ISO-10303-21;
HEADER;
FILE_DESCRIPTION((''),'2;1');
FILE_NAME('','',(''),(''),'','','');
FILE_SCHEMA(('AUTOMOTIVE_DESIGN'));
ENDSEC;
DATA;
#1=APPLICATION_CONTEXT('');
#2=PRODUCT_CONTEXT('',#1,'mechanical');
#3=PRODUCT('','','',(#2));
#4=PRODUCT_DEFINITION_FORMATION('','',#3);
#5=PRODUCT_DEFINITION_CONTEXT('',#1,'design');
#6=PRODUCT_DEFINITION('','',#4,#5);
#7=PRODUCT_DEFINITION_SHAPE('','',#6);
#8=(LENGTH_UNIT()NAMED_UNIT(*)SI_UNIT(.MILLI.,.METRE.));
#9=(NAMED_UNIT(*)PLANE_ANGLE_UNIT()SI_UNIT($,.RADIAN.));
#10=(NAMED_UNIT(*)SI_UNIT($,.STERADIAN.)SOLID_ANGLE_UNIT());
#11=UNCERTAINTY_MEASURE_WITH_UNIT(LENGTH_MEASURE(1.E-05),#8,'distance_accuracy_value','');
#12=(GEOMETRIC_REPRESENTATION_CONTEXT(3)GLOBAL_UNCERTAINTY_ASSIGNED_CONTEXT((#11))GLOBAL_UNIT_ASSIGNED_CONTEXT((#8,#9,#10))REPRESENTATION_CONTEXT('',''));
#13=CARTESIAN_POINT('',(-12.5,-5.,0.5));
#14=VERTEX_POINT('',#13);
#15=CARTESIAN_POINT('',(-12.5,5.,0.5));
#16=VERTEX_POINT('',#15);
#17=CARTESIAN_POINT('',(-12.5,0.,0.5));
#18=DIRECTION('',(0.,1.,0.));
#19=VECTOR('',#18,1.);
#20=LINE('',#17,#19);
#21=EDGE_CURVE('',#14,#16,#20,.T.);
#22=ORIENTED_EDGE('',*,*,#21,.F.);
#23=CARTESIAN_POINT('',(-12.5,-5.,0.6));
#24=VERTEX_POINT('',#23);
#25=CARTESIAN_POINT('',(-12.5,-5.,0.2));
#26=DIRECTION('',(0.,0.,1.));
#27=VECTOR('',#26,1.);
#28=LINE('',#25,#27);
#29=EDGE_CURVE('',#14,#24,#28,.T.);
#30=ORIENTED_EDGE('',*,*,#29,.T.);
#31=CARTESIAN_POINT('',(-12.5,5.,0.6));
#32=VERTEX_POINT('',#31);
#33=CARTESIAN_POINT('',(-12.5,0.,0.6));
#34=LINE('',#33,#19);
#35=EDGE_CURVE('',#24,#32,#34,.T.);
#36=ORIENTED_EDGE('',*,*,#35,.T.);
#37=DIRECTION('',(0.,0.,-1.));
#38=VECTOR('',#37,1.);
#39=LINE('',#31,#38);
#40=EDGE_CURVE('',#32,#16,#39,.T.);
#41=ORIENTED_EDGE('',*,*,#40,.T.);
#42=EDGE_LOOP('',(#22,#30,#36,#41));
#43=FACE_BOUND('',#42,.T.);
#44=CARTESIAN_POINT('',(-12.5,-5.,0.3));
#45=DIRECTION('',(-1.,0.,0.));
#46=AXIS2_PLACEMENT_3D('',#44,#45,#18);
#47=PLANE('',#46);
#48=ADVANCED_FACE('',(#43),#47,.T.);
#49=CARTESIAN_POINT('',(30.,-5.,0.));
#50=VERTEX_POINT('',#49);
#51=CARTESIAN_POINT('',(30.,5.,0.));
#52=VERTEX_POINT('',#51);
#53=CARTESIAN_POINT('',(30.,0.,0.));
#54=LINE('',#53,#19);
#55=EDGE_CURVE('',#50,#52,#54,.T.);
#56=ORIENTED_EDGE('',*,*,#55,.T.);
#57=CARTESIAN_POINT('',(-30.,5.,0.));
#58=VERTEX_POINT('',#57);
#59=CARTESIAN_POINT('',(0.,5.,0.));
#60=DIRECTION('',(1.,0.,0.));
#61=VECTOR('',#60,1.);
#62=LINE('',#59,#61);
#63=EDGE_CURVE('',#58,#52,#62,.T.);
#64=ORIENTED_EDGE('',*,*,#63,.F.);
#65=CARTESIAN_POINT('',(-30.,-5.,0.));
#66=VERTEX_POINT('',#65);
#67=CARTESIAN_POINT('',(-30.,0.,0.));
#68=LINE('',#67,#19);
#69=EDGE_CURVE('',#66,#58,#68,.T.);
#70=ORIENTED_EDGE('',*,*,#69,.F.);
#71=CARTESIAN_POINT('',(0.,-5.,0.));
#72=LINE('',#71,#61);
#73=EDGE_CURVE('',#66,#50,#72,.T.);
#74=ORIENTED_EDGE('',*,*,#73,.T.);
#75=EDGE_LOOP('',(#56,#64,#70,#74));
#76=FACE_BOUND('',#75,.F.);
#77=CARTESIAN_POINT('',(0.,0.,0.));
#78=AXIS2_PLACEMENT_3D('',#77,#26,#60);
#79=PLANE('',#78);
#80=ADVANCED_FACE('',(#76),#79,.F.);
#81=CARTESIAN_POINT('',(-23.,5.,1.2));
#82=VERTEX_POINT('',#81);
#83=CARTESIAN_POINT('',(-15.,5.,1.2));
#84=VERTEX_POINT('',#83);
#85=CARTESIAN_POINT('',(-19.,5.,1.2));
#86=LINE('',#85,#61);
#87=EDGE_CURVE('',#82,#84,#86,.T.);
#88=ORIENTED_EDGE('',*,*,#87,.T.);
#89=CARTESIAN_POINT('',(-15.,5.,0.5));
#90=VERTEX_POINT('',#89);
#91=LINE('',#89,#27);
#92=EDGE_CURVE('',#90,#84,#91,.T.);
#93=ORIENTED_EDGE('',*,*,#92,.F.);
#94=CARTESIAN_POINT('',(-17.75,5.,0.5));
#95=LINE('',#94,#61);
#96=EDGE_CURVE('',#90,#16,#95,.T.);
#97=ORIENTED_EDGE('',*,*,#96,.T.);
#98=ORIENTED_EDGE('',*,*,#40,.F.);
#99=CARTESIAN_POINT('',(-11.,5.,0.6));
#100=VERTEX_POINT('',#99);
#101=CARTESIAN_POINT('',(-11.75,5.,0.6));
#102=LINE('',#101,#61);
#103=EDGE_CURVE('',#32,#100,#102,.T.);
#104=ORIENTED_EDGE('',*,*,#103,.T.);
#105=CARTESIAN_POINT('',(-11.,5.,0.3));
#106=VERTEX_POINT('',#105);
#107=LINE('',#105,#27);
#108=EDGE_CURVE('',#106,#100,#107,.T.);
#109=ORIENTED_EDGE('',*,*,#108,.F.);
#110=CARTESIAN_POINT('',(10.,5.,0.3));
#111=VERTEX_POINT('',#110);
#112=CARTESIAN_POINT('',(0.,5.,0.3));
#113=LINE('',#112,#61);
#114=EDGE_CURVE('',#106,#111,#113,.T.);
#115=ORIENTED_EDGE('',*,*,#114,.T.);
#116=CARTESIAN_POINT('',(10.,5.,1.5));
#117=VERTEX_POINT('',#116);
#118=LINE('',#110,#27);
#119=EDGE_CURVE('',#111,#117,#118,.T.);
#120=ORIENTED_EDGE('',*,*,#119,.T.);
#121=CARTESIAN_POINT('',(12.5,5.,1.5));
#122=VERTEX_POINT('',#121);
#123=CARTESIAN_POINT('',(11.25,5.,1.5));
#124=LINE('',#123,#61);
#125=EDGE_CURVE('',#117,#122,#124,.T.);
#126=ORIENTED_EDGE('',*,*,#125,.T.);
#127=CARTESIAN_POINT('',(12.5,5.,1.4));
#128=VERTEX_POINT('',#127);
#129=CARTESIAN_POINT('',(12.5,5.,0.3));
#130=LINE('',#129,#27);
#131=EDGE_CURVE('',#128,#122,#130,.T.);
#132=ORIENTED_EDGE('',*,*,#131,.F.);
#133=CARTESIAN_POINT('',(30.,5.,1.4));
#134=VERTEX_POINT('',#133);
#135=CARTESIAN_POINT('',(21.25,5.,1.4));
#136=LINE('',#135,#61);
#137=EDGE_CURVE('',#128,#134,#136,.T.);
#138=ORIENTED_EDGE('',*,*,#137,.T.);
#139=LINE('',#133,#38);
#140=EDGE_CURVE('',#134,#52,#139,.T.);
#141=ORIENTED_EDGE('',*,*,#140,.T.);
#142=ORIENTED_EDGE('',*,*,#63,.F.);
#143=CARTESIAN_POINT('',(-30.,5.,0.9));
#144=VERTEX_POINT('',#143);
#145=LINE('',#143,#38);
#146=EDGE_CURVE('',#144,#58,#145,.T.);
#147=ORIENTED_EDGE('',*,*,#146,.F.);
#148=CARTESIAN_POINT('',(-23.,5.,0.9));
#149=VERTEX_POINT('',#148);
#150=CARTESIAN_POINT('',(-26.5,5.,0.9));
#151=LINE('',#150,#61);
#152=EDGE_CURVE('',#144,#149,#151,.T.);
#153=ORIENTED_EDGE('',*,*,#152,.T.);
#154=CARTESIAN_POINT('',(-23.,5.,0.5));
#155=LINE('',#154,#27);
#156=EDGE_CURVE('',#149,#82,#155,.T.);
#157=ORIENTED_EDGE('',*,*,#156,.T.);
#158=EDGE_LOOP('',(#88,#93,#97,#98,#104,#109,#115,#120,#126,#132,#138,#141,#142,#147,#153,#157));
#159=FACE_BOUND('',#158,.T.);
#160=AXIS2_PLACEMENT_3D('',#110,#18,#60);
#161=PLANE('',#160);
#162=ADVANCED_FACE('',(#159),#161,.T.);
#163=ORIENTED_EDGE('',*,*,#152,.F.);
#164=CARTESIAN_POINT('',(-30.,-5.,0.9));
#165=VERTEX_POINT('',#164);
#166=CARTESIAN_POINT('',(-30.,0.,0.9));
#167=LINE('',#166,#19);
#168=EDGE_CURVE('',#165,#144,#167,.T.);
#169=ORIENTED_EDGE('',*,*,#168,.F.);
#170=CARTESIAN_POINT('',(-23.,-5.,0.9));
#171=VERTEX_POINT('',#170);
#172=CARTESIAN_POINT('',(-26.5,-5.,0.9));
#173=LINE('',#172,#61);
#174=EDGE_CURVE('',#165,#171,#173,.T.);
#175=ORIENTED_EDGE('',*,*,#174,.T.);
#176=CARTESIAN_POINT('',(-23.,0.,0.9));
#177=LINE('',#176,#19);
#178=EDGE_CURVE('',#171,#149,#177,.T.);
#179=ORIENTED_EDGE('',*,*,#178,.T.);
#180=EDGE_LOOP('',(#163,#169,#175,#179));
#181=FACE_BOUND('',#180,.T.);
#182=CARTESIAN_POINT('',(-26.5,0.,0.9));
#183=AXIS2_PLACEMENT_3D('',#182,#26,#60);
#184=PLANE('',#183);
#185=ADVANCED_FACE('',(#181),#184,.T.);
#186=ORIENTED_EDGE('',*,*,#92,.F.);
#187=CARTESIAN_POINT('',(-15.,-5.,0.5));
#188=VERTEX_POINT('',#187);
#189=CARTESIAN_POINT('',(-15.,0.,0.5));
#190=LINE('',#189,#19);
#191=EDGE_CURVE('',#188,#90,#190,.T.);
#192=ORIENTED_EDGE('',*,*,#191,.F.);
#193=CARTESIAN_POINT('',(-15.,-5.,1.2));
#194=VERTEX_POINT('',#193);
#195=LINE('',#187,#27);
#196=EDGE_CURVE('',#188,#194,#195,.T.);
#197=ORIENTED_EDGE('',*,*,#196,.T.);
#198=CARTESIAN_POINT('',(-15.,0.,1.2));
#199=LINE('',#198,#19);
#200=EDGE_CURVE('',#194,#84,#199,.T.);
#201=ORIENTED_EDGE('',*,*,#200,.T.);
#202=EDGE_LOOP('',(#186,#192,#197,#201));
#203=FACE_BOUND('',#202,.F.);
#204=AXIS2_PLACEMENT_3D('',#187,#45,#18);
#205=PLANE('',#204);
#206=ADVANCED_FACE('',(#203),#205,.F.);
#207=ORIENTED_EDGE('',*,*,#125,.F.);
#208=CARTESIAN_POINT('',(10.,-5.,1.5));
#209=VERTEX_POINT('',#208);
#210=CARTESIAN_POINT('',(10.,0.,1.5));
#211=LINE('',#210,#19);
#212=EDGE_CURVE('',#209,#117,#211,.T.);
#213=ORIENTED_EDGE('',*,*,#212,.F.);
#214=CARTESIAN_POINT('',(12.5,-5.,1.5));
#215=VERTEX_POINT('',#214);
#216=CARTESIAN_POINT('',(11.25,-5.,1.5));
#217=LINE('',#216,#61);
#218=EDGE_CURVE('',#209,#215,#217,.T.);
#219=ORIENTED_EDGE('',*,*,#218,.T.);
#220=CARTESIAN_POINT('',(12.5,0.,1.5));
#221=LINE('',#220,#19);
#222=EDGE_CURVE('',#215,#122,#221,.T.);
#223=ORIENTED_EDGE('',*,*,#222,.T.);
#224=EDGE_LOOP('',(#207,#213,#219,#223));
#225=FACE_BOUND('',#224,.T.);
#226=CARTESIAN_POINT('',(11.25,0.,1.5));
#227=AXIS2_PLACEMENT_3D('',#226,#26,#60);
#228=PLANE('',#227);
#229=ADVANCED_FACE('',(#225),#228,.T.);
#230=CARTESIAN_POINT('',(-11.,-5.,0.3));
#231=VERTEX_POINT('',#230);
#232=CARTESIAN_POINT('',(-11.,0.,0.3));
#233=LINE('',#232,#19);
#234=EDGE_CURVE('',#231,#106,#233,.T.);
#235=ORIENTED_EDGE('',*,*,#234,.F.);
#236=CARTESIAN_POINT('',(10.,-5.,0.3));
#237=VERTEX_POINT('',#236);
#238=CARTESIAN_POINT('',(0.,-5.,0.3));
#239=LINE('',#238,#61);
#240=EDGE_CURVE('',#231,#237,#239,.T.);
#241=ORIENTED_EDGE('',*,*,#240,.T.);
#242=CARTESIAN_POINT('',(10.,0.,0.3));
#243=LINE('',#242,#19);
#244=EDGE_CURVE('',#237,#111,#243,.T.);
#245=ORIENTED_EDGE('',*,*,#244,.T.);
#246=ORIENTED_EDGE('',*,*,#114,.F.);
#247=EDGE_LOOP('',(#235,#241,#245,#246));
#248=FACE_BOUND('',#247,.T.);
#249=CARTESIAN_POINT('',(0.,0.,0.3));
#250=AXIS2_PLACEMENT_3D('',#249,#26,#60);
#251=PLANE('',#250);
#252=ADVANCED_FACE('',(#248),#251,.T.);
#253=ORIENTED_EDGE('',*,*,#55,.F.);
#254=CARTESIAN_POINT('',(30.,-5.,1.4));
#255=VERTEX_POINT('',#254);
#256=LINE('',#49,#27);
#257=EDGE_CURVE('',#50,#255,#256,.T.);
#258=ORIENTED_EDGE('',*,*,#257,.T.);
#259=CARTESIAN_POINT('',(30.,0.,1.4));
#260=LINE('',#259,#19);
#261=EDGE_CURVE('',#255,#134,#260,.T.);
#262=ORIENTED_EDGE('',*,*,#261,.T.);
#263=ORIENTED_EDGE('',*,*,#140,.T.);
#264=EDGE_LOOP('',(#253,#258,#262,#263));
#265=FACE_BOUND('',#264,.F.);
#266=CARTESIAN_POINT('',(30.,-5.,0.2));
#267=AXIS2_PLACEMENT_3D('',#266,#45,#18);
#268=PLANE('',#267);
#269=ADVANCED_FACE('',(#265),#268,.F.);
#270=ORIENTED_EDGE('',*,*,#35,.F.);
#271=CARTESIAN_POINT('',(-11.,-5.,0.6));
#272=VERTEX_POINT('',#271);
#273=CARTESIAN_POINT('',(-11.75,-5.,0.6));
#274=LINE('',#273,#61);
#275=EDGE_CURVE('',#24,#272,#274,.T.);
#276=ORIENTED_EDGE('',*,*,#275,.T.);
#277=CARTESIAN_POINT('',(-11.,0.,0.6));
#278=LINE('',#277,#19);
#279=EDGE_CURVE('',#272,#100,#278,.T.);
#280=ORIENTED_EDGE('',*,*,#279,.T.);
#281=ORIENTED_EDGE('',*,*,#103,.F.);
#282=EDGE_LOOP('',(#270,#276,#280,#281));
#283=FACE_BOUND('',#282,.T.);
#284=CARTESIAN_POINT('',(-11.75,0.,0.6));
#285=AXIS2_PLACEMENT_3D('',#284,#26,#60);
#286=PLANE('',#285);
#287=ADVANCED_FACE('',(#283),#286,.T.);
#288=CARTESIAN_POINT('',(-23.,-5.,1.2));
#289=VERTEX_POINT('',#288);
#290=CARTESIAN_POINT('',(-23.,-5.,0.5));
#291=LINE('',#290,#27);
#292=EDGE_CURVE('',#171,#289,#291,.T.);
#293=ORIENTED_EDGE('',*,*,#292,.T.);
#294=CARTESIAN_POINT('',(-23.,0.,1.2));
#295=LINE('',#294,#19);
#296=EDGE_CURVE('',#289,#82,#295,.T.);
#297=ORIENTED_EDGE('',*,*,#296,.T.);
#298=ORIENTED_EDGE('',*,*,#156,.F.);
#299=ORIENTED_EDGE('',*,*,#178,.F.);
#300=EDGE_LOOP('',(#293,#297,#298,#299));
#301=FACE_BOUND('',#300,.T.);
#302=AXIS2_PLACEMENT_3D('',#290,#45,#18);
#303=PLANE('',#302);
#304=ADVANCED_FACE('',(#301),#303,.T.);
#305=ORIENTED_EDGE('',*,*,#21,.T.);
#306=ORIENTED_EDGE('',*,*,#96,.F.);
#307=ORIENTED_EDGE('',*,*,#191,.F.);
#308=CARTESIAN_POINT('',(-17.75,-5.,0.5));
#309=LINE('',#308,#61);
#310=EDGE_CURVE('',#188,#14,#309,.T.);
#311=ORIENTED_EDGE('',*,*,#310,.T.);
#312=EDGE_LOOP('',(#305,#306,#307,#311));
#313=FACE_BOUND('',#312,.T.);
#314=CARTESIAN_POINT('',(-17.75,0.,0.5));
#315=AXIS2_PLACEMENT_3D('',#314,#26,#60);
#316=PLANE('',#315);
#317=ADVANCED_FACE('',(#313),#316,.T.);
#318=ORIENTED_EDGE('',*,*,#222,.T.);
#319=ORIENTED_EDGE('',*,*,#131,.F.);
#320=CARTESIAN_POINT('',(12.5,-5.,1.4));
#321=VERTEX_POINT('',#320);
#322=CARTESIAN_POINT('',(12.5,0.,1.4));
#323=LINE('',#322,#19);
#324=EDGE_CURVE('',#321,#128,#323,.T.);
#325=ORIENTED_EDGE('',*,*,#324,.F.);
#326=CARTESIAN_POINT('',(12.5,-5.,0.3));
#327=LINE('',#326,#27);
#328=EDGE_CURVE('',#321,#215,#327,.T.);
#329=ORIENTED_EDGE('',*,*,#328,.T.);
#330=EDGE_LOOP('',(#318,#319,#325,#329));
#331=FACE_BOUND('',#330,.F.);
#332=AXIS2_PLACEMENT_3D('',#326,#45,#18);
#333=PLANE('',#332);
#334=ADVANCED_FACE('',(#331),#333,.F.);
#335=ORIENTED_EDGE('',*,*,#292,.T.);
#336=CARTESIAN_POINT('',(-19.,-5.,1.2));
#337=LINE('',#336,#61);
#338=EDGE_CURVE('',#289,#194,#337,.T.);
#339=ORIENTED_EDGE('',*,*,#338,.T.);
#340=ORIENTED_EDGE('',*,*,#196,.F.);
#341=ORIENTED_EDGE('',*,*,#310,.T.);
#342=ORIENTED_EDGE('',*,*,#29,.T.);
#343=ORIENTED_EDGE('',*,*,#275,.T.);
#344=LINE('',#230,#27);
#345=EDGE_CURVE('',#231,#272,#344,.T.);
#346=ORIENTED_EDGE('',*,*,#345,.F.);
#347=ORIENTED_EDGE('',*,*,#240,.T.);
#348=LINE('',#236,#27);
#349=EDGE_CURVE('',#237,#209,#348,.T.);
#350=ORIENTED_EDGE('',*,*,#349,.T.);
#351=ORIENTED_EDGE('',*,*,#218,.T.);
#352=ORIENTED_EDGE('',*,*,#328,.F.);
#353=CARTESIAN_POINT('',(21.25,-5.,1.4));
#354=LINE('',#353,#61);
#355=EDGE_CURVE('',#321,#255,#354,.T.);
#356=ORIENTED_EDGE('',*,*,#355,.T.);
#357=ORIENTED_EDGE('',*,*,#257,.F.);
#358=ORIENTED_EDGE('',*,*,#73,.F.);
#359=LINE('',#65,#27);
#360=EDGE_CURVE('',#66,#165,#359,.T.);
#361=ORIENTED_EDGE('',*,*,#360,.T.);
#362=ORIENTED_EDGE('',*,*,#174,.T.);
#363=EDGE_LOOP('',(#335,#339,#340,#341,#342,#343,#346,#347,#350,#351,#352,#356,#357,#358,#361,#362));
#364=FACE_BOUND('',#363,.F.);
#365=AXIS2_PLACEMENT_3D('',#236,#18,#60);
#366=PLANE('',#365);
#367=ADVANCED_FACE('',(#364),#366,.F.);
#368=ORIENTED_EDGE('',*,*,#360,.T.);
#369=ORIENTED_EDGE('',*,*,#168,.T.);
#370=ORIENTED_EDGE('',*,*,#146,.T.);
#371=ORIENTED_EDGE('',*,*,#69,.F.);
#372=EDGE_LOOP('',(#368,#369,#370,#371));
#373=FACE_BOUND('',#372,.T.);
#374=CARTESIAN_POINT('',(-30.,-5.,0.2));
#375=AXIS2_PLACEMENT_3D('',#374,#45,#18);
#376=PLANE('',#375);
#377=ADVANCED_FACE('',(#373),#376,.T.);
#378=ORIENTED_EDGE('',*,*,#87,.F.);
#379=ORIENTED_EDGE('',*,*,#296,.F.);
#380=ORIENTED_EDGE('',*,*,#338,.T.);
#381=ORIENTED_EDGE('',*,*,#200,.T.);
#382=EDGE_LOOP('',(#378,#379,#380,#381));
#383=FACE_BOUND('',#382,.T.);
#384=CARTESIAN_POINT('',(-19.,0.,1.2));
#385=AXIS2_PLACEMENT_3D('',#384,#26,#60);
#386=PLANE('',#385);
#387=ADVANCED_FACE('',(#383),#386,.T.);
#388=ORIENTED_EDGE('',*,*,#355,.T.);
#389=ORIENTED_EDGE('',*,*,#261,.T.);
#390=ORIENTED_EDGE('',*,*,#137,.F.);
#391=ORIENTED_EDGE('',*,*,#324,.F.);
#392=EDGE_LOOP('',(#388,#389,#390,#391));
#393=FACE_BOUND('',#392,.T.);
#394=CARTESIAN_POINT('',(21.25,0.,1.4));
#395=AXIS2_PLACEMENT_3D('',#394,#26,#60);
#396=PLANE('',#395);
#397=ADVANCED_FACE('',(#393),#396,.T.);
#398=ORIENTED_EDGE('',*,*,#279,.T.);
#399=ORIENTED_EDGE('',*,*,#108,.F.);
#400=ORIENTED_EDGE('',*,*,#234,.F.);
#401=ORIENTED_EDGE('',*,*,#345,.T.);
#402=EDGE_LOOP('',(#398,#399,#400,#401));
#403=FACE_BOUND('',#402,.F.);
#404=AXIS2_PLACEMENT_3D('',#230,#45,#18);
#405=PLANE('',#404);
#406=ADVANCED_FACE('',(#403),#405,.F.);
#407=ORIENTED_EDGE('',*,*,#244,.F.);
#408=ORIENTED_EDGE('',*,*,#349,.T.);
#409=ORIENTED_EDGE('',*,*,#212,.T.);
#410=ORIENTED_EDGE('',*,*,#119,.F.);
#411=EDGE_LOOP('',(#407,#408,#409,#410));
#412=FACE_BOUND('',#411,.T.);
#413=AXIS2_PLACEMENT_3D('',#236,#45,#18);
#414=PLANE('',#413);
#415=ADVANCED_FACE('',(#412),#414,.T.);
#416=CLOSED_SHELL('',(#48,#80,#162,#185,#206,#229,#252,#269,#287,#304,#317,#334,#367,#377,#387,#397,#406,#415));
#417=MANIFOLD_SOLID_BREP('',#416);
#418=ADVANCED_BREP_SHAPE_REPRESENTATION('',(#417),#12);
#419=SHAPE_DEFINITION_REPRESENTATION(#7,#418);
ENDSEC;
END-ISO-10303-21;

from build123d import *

# Parameters (mm, degrees)
F0_W      = 60
F0_H      = 10
F1_DEPTH  = 0.2
F2_W      = 25
F2_H      = 10
F3_DEPTH  = 0.1
F4_W      = 1.5
F4_H      = 10
F5_DEPTH  = 0.3
F6_W      = 10.5
F6_H      = 10
F7_DEPTH  = 0.3
F8_W      = 7
F8_H      = 10
F9_DEPTH  = 0.7
F10_W     = 8
F10_H     = 10
F11_DEPTH = 0.7
F12_W     = 17.5
F12_H     = 10
F13_DEPTH = 1.2
F14_W     = 2.5
F14_H     = 10
F15_DEPTH = 1.2


with BuildPart() as f1:
    # F0 (on Top) → F1 (new body)
    with BuildSketch(Plane.XY):
        Rectangle(F0_W, F0_H)
    extrude(amount=F1_DEPTH)

    # F2 (on face) → F3 (join)
    with BuildSketch(Plane.XY.offset(0.2)):
        Rectangle(F2_W, F2_H)
    extrude(amount=F3_DEPTH)

    # F4 (on face) → F5 (join)
    with BuildSketch(Plane.XY.offset(0.3)):
        with Locations((-11.75, 0)):
            Rectangle(F4_W, F4_H)
    extrude(amount=F5_DEPTH)

    # F6 (on face) → F7 (join)
    with BuildSketch(Plane.XY.offset(0.2)):
        with Locations((-17.75, 0)):
            Rectangle(F6_W, F6_H)
    extrude(amount=F7_DEPTH)

    # F8 (on face) → F9 (join)
    with BuildSketch(Plane.XY.offset(0.2)):
        with Locations((-26.5, 0)):
            Rectangle(F8_W, F8_H)
    extrude(amount=F9_DEPTH)

    # F10 (on face) → F11 (join)
    with BuildSketch(Plane.XY.offset(0.5)):
        with Locations((-19, 0)):
            Rectangle(F10_W, F10_H)
    extrude(amount=F11_DEPTH)

    # F12 (on face) → F13 (join)
    with BuildSketch(Plane.XY.offset(0.2)):
        with Locations((21.25, 0)):
            Rectangle(F12_W, F12_H)
    extrude(amount=F13_DEPTH)

    # F14 (on face) → F15 (join)
    with BuildSketch(Plane.XY.offset(0.3)):
        with Locations((11.25, 0)):
            Rectangle(F14_W, F14_H)
    extrude(amount=F15_DEPTH)


solid = f1.part
